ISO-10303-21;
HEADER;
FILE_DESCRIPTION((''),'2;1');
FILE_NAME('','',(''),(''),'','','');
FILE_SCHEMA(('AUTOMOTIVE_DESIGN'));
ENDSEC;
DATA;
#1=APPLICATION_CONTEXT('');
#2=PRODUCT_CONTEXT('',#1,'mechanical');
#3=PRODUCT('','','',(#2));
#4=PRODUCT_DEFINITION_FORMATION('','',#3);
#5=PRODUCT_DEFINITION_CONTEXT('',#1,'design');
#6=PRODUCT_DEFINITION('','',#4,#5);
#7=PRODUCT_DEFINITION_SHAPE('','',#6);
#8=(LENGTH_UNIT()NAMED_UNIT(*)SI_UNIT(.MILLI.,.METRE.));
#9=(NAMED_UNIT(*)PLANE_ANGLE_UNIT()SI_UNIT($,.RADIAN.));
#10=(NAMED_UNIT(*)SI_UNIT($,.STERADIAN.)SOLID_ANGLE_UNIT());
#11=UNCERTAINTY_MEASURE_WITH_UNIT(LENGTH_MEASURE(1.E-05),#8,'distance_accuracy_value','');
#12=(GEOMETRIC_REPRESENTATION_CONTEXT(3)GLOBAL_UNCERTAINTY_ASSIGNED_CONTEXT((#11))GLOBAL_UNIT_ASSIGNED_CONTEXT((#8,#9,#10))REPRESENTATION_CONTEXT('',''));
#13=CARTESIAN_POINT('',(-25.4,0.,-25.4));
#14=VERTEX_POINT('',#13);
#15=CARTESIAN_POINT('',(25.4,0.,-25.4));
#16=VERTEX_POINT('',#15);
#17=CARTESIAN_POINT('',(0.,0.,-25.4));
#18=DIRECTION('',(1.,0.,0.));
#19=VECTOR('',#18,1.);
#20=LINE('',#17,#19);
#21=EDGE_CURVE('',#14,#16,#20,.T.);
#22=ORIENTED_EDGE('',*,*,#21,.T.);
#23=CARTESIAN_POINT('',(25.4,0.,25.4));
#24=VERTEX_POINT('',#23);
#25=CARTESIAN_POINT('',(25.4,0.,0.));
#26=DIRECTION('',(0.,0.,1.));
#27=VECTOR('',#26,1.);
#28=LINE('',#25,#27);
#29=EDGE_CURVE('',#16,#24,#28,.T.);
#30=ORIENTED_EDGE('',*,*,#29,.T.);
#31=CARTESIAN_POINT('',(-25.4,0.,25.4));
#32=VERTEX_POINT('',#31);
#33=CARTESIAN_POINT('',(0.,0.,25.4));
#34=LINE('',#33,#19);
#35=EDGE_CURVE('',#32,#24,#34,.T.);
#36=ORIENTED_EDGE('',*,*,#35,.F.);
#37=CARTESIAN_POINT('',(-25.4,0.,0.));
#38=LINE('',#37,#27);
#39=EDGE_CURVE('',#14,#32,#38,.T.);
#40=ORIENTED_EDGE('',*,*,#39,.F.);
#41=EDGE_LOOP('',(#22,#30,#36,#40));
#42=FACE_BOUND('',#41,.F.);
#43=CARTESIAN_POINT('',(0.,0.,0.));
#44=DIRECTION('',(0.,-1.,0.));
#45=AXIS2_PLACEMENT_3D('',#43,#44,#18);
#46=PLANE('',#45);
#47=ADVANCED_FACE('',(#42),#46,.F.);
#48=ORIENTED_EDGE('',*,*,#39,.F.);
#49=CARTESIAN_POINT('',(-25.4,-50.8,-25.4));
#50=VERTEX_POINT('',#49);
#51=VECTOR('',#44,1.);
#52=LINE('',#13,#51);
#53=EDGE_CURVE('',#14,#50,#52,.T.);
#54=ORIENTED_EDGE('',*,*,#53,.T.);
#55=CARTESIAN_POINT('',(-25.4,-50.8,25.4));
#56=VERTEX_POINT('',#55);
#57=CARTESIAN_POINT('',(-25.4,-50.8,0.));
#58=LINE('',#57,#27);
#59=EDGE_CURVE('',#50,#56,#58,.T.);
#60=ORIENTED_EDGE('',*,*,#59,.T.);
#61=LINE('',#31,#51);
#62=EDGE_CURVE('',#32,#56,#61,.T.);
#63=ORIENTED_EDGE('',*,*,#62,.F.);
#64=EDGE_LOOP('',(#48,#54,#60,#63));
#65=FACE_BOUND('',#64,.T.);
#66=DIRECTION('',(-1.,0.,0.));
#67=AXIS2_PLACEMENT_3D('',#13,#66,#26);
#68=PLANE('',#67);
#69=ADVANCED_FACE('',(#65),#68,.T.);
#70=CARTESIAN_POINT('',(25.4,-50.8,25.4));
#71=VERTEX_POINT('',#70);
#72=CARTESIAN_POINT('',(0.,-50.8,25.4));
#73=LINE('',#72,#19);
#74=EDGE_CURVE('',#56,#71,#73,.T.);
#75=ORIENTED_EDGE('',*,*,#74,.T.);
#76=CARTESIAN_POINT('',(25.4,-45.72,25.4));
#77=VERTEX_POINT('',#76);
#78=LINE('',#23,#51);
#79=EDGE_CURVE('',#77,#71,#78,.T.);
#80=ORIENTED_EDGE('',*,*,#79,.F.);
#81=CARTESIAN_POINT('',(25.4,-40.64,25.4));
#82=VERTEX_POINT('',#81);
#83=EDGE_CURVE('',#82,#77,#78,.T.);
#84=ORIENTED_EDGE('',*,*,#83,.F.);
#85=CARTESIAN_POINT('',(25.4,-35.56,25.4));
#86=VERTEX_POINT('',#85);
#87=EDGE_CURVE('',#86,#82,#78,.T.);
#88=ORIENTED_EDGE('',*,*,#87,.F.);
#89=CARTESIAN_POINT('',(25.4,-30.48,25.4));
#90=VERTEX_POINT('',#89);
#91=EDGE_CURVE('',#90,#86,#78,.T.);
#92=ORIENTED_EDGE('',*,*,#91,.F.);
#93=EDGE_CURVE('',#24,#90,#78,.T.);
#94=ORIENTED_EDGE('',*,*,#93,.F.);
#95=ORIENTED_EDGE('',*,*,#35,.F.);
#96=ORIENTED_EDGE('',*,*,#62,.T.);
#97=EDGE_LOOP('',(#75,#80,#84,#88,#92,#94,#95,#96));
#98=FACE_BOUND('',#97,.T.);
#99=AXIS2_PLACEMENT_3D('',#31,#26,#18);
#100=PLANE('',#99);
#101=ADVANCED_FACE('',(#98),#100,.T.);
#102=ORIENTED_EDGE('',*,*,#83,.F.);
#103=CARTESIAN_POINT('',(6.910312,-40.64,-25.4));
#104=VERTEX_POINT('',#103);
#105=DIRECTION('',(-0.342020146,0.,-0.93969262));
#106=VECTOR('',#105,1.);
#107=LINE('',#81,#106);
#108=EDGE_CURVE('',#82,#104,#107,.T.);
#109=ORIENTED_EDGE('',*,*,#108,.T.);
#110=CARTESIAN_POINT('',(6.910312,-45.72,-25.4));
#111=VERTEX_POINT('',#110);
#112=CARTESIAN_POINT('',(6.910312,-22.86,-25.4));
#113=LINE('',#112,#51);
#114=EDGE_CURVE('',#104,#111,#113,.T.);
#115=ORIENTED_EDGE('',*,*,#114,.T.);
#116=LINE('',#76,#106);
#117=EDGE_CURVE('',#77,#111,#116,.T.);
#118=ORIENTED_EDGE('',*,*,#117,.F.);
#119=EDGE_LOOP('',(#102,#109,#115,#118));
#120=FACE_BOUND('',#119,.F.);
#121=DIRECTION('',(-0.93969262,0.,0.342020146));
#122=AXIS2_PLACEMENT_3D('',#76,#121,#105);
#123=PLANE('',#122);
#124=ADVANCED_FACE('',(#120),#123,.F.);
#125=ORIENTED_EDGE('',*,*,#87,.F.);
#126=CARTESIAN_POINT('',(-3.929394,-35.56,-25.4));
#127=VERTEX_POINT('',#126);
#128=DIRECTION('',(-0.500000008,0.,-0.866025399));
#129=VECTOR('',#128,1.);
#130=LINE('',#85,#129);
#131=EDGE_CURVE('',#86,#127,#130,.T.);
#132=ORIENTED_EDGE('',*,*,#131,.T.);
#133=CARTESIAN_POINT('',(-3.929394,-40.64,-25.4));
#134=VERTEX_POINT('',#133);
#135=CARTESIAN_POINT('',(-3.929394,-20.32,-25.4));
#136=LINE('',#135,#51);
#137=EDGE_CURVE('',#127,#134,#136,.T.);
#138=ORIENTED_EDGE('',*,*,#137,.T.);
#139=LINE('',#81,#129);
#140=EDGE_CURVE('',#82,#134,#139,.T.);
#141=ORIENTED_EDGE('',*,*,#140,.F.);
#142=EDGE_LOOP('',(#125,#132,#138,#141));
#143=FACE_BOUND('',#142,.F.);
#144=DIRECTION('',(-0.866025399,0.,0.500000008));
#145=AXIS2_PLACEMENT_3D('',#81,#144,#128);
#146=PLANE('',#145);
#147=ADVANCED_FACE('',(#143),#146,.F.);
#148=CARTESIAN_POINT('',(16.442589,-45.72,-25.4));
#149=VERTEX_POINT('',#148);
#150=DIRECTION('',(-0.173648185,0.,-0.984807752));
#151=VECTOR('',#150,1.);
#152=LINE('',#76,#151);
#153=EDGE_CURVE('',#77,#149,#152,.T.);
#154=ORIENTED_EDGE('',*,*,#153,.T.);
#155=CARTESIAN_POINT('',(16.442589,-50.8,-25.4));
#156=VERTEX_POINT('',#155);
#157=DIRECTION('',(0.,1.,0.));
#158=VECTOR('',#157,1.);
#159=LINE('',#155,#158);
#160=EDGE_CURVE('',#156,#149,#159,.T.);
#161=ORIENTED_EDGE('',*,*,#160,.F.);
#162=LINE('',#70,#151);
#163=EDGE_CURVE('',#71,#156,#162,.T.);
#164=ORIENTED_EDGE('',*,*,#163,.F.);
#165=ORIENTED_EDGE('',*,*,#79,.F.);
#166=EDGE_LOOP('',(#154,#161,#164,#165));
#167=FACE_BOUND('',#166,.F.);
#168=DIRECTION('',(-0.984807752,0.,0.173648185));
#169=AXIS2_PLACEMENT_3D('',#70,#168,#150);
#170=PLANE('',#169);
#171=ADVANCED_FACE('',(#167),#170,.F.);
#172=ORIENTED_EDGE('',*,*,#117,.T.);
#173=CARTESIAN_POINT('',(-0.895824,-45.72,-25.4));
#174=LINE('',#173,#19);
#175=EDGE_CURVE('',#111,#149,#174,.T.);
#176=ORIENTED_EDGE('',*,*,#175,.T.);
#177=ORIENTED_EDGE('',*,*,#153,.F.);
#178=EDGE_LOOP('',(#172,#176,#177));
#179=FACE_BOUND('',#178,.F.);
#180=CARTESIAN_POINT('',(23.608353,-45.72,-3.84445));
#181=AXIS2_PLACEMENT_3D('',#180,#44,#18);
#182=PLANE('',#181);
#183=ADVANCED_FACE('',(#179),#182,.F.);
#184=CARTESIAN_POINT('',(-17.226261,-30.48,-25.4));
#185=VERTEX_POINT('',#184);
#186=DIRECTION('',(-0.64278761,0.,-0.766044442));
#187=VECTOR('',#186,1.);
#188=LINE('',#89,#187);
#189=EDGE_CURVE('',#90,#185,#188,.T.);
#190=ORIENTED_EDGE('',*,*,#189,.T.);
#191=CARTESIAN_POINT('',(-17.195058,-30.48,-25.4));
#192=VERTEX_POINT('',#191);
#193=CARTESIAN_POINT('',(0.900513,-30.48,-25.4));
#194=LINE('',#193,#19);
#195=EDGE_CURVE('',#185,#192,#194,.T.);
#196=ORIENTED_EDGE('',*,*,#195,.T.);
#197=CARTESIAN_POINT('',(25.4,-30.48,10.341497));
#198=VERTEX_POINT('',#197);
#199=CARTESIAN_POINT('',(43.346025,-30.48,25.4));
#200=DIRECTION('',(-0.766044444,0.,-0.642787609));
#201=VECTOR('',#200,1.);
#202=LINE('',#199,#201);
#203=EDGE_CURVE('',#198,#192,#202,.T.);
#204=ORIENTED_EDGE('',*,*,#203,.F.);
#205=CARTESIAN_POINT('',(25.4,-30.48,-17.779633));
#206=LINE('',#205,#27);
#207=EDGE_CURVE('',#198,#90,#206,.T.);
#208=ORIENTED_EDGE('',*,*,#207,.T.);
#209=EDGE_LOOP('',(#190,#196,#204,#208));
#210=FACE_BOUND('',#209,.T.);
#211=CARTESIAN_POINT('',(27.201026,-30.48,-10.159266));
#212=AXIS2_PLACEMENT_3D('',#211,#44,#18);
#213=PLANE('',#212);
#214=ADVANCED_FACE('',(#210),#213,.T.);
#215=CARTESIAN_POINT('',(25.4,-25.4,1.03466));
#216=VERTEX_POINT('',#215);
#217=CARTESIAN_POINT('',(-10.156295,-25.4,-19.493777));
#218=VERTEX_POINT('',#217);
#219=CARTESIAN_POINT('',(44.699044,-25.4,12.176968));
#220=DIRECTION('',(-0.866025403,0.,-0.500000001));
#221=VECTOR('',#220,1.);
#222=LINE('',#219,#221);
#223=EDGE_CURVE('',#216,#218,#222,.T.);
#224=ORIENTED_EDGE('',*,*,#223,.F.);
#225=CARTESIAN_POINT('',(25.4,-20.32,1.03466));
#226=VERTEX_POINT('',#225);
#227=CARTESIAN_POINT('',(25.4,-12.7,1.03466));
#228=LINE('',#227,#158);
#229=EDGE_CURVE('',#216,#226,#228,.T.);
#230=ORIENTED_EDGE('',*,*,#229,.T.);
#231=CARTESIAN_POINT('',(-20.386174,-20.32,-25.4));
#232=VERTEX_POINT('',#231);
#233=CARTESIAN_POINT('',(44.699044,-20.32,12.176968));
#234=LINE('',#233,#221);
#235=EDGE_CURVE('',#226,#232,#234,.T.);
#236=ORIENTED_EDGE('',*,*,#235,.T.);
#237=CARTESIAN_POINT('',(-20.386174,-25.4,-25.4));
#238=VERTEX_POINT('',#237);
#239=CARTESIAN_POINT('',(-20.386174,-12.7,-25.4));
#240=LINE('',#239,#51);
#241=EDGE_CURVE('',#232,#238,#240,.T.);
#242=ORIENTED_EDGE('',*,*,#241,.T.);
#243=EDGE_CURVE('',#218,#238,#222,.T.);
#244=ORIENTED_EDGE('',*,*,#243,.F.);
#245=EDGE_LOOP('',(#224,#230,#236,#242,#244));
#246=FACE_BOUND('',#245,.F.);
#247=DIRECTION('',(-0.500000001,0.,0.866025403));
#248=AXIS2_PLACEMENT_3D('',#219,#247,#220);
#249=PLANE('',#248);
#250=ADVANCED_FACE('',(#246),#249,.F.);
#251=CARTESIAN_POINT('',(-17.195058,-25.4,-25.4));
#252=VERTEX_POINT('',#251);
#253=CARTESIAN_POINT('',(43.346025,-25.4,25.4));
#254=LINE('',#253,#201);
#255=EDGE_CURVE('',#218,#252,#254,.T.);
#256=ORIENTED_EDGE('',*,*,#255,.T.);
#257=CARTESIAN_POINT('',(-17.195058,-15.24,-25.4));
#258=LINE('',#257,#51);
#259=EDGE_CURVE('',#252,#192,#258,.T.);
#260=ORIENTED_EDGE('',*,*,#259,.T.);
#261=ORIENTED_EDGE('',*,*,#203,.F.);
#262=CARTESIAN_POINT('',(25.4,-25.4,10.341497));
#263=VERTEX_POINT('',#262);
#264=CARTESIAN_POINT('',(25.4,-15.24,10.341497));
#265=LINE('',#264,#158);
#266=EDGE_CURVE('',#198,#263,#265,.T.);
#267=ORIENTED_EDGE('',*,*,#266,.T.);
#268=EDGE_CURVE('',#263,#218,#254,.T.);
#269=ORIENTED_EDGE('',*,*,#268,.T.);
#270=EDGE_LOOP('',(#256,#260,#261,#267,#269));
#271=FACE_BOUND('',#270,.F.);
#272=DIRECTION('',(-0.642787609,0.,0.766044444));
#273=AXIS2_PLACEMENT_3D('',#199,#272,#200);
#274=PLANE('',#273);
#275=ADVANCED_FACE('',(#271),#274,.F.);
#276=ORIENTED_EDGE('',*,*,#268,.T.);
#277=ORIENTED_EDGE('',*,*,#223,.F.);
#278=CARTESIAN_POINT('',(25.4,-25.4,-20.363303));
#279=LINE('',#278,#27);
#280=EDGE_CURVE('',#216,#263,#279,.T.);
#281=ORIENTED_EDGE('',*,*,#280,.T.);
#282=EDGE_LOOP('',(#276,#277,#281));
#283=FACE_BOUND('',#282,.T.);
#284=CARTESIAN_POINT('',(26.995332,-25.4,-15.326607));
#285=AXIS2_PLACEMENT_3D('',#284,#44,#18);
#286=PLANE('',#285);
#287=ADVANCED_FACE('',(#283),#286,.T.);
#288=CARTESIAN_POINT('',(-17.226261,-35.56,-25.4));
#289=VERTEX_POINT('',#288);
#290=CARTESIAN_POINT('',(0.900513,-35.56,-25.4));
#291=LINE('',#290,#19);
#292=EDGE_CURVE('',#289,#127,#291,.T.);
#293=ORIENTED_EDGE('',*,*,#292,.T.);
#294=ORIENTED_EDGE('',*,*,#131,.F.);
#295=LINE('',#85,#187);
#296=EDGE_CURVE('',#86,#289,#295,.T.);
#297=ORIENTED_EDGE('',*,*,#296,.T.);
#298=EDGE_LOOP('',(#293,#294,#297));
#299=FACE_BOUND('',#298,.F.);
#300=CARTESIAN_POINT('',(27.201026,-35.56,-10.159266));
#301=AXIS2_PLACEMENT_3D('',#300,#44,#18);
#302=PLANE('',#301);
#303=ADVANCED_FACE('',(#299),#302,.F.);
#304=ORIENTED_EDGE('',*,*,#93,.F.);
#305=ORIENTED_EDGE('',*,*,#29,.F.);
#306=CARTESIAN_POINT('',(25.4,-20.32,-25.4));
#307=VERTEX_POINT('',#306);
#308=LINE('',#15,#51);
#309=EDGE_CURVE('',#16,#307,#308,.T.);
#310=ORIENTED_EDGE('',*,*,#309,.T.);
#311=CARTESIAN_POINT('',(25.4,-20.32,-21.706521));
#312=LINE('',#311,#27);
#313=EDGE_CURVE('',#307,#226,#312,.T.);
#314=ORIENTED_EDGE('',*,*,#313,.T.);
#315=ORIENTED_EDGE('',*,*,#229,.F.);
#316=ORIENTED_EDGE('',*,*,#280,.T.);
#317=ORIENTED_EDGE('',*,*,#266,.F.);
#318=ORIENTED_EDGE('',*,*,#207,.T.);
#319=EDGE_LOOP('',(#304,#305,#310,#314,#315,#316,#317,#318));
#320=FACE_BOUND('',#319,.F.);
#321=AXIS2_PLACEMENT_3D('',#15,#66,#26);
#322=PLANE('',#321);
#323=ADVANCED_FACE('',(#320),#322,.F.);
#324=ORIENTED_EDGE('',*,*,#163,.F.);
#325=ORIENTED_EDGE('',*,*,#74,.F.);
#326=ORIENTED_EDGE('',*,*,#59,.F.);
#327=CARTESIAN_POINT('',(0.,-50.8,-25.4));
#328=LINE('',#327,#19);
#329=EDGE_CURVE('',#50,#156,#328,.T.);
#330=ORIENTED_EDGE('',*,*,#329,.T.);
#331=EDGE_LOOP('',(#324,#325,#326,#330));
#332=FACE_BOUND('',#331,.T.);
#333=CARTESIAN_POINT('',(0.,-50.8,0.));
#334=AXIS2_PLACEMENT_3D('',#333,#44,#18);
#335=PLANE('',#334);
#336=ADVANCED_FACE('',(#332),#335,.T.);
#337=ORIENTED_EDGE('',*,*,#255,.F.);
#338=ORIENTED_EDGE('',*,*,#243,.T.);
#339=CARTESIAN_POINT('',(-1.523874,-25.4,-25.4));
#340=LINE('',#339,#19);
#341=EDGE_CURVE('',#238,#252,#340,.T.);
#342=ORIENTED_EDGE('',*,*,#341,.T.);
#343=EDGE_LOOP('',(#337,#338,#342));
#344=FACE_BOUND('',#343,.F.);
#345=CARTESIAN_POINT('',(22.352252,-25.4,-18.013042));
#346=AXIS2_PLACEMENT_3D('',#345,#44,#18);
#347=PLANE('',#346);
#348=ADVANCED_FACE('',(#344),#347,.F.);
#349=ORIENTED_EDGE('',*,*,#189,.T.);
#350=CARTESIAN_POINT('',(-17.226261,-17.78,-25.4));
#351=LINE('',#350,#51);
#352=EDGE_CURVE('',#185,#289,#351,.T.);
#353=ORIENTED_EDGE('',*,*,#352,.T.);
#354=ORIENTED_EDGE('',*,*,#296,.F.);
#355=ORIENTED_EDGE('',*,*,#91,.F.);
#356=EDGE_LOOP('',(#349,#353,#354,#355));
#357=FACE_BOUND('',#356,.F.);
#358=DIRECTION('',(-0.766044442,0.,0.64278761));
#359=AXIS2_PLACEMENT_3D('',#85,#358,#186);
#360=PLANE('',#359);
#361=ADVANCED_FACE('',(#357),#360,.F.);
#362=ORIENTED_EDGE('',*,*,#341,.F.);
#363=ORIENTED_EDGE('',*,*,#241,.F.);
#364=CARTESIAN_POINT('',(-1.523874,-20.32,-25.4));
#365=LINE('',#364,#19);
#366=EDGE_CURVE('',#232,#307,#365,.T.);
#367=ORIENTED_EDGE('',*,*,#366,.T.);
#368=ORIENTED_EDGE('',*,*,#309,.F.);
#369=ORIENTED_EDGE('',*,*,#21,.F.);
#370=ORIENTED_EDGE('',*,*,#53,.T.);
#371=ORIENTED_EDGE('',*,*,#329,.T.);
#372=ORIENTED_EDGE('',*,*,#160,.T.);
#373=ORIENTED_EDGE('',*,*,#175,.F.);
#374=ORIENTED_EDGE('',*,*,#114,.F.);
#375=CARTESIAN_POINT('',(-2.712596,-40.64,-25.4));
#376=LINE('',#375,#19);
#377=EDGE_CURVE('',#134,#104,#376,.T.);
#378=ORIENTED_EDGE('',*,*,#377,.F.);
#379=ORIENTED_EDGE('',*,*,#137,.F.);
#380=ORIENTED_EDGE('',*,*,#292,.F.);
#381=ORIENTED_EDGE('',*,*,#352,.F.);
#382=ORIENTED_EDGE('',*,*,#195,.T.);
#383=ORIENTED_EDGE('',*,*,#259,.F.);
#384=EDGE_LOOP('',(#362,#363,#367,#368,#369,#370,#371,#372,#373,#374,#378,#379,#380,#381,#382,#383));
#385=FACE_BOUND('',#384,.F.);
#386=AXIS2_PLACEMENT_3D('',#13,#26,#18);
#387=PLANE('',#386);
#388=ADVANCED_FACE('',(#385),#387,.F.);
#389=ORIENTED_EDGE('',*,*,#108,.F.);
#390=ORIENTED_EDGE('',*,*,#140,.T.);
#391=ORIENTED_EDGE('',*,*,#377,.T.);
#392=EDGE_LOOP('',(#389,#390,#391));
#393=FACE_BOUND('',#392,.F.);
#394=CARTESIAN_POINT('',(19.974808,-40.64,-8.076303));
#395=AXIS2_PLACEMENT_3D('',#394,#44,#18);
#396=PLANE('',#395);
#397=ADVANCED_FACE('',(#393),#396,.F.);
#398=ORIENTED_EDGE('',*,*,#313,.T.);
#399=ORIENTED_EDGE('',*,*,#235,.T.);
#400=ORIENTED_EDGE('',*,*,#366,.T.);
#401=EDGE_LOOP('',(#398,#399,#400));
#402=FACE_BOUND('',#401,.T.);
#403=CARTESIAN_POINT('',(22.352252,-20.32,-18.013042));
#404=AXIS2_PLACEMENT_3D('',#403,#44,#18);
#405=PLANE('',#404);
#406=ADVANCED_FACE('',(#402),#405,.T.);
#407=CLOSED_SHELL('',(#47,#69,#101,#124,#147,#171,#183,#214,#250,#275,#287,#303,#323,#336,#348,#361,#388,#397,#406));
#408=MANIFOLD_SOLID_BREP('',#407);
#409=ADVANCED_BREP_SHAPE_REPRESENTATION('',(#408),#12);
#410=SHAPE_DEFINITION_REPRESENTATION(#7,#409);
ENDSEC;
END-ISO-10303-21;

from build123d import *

# Parameters (mm, degrees)
F0_W      = 50.8
F0_H      = 50.8
F1_DEPTH  = 50.8
F3_DEPTH  = 5.08
F5_DEPTH  = 5.08
F7_DEPTH  = 5.08
F9_DEPTH  = 5.08
F11_DEPTH = 5.08
F13_DEPTH = 5.08


with BuildPart() as f1:
    # F0 (on Front) → F1 (new body)
    with BuildSketch(Plane.XZ):
        Rectangle(F0_W, F0_H)
    extrude(amount=F1_DEPTH)

    # F2 (on face) → F3 (cut)
    with BuildSketch(Plane.XZ.offset(50.8)):
        Polygon((31.007338, 25.4), (25.4, 25.4), (16.442589, -25.4), (31.007338, -25.4), align=None)
    extrude(amount=-F3_DEPTH, mode=Mode.SUBTRACT)

    # F4 (on face) → F5 (cut)
    with BuildSketch(Plane.XZ.offset(45.72)):
        Polygon((32.858667, 25.4), (25.4, 25.4), (6.626374, -26.180113), (32.858667, -26.180113), align=None)
    extrude(amount=-F5_DEPTH, mode=Mode.SUBTRACT)

    # F6 (on face) → F7 (cut)
    with BuildSketch(Plane.XZ.offset(40.64)):
        Polygon((35.186552, 25.4), (25.4, 25.4), (-7.151678, -30.981159), (35.186552, -30.981159), align=None)
    extrude(amount=-F7_DEPTH, mode=Mode.SUBTRACT)

    # F8 (on face) → F9 (cut)
    with BuildSketch(Plane.XZ.offset(35.56)):
        Polygon((63.193578, 25.4), (25.4, 25.4), (-24.735296, -34.348919), (63.193578, -34.348919), align=None)
    extrude(amount=-F9_DEPTH, mode=Mode.SUBTRACT)

    # F10 (on face) → F11 (cut)
    with BuildSketch(Plane.XZ.offset(30.48)):
        Polygon((66.855003, 25.4), (43.346025, 25.4), (-33.323239, -38.933151), (66.855003, -38.933151), align=None)
    extrude(amount=-F11_DEPTH, mode=Mode.SUBTRACT)

    # F12 (on face) → F13 (cut)
    with BuildSketch(Plane.XZ.offset(25.4)):
        Polygon((62.784301, 12.176968), (44.699044, 12.176968), (-34.901336, -33.780333), (62.784301, -33.780333), align=None)
    extrude(amount=-F13_DEPTH, mode=Mode.SUBTRACT)


solid = f1.part
